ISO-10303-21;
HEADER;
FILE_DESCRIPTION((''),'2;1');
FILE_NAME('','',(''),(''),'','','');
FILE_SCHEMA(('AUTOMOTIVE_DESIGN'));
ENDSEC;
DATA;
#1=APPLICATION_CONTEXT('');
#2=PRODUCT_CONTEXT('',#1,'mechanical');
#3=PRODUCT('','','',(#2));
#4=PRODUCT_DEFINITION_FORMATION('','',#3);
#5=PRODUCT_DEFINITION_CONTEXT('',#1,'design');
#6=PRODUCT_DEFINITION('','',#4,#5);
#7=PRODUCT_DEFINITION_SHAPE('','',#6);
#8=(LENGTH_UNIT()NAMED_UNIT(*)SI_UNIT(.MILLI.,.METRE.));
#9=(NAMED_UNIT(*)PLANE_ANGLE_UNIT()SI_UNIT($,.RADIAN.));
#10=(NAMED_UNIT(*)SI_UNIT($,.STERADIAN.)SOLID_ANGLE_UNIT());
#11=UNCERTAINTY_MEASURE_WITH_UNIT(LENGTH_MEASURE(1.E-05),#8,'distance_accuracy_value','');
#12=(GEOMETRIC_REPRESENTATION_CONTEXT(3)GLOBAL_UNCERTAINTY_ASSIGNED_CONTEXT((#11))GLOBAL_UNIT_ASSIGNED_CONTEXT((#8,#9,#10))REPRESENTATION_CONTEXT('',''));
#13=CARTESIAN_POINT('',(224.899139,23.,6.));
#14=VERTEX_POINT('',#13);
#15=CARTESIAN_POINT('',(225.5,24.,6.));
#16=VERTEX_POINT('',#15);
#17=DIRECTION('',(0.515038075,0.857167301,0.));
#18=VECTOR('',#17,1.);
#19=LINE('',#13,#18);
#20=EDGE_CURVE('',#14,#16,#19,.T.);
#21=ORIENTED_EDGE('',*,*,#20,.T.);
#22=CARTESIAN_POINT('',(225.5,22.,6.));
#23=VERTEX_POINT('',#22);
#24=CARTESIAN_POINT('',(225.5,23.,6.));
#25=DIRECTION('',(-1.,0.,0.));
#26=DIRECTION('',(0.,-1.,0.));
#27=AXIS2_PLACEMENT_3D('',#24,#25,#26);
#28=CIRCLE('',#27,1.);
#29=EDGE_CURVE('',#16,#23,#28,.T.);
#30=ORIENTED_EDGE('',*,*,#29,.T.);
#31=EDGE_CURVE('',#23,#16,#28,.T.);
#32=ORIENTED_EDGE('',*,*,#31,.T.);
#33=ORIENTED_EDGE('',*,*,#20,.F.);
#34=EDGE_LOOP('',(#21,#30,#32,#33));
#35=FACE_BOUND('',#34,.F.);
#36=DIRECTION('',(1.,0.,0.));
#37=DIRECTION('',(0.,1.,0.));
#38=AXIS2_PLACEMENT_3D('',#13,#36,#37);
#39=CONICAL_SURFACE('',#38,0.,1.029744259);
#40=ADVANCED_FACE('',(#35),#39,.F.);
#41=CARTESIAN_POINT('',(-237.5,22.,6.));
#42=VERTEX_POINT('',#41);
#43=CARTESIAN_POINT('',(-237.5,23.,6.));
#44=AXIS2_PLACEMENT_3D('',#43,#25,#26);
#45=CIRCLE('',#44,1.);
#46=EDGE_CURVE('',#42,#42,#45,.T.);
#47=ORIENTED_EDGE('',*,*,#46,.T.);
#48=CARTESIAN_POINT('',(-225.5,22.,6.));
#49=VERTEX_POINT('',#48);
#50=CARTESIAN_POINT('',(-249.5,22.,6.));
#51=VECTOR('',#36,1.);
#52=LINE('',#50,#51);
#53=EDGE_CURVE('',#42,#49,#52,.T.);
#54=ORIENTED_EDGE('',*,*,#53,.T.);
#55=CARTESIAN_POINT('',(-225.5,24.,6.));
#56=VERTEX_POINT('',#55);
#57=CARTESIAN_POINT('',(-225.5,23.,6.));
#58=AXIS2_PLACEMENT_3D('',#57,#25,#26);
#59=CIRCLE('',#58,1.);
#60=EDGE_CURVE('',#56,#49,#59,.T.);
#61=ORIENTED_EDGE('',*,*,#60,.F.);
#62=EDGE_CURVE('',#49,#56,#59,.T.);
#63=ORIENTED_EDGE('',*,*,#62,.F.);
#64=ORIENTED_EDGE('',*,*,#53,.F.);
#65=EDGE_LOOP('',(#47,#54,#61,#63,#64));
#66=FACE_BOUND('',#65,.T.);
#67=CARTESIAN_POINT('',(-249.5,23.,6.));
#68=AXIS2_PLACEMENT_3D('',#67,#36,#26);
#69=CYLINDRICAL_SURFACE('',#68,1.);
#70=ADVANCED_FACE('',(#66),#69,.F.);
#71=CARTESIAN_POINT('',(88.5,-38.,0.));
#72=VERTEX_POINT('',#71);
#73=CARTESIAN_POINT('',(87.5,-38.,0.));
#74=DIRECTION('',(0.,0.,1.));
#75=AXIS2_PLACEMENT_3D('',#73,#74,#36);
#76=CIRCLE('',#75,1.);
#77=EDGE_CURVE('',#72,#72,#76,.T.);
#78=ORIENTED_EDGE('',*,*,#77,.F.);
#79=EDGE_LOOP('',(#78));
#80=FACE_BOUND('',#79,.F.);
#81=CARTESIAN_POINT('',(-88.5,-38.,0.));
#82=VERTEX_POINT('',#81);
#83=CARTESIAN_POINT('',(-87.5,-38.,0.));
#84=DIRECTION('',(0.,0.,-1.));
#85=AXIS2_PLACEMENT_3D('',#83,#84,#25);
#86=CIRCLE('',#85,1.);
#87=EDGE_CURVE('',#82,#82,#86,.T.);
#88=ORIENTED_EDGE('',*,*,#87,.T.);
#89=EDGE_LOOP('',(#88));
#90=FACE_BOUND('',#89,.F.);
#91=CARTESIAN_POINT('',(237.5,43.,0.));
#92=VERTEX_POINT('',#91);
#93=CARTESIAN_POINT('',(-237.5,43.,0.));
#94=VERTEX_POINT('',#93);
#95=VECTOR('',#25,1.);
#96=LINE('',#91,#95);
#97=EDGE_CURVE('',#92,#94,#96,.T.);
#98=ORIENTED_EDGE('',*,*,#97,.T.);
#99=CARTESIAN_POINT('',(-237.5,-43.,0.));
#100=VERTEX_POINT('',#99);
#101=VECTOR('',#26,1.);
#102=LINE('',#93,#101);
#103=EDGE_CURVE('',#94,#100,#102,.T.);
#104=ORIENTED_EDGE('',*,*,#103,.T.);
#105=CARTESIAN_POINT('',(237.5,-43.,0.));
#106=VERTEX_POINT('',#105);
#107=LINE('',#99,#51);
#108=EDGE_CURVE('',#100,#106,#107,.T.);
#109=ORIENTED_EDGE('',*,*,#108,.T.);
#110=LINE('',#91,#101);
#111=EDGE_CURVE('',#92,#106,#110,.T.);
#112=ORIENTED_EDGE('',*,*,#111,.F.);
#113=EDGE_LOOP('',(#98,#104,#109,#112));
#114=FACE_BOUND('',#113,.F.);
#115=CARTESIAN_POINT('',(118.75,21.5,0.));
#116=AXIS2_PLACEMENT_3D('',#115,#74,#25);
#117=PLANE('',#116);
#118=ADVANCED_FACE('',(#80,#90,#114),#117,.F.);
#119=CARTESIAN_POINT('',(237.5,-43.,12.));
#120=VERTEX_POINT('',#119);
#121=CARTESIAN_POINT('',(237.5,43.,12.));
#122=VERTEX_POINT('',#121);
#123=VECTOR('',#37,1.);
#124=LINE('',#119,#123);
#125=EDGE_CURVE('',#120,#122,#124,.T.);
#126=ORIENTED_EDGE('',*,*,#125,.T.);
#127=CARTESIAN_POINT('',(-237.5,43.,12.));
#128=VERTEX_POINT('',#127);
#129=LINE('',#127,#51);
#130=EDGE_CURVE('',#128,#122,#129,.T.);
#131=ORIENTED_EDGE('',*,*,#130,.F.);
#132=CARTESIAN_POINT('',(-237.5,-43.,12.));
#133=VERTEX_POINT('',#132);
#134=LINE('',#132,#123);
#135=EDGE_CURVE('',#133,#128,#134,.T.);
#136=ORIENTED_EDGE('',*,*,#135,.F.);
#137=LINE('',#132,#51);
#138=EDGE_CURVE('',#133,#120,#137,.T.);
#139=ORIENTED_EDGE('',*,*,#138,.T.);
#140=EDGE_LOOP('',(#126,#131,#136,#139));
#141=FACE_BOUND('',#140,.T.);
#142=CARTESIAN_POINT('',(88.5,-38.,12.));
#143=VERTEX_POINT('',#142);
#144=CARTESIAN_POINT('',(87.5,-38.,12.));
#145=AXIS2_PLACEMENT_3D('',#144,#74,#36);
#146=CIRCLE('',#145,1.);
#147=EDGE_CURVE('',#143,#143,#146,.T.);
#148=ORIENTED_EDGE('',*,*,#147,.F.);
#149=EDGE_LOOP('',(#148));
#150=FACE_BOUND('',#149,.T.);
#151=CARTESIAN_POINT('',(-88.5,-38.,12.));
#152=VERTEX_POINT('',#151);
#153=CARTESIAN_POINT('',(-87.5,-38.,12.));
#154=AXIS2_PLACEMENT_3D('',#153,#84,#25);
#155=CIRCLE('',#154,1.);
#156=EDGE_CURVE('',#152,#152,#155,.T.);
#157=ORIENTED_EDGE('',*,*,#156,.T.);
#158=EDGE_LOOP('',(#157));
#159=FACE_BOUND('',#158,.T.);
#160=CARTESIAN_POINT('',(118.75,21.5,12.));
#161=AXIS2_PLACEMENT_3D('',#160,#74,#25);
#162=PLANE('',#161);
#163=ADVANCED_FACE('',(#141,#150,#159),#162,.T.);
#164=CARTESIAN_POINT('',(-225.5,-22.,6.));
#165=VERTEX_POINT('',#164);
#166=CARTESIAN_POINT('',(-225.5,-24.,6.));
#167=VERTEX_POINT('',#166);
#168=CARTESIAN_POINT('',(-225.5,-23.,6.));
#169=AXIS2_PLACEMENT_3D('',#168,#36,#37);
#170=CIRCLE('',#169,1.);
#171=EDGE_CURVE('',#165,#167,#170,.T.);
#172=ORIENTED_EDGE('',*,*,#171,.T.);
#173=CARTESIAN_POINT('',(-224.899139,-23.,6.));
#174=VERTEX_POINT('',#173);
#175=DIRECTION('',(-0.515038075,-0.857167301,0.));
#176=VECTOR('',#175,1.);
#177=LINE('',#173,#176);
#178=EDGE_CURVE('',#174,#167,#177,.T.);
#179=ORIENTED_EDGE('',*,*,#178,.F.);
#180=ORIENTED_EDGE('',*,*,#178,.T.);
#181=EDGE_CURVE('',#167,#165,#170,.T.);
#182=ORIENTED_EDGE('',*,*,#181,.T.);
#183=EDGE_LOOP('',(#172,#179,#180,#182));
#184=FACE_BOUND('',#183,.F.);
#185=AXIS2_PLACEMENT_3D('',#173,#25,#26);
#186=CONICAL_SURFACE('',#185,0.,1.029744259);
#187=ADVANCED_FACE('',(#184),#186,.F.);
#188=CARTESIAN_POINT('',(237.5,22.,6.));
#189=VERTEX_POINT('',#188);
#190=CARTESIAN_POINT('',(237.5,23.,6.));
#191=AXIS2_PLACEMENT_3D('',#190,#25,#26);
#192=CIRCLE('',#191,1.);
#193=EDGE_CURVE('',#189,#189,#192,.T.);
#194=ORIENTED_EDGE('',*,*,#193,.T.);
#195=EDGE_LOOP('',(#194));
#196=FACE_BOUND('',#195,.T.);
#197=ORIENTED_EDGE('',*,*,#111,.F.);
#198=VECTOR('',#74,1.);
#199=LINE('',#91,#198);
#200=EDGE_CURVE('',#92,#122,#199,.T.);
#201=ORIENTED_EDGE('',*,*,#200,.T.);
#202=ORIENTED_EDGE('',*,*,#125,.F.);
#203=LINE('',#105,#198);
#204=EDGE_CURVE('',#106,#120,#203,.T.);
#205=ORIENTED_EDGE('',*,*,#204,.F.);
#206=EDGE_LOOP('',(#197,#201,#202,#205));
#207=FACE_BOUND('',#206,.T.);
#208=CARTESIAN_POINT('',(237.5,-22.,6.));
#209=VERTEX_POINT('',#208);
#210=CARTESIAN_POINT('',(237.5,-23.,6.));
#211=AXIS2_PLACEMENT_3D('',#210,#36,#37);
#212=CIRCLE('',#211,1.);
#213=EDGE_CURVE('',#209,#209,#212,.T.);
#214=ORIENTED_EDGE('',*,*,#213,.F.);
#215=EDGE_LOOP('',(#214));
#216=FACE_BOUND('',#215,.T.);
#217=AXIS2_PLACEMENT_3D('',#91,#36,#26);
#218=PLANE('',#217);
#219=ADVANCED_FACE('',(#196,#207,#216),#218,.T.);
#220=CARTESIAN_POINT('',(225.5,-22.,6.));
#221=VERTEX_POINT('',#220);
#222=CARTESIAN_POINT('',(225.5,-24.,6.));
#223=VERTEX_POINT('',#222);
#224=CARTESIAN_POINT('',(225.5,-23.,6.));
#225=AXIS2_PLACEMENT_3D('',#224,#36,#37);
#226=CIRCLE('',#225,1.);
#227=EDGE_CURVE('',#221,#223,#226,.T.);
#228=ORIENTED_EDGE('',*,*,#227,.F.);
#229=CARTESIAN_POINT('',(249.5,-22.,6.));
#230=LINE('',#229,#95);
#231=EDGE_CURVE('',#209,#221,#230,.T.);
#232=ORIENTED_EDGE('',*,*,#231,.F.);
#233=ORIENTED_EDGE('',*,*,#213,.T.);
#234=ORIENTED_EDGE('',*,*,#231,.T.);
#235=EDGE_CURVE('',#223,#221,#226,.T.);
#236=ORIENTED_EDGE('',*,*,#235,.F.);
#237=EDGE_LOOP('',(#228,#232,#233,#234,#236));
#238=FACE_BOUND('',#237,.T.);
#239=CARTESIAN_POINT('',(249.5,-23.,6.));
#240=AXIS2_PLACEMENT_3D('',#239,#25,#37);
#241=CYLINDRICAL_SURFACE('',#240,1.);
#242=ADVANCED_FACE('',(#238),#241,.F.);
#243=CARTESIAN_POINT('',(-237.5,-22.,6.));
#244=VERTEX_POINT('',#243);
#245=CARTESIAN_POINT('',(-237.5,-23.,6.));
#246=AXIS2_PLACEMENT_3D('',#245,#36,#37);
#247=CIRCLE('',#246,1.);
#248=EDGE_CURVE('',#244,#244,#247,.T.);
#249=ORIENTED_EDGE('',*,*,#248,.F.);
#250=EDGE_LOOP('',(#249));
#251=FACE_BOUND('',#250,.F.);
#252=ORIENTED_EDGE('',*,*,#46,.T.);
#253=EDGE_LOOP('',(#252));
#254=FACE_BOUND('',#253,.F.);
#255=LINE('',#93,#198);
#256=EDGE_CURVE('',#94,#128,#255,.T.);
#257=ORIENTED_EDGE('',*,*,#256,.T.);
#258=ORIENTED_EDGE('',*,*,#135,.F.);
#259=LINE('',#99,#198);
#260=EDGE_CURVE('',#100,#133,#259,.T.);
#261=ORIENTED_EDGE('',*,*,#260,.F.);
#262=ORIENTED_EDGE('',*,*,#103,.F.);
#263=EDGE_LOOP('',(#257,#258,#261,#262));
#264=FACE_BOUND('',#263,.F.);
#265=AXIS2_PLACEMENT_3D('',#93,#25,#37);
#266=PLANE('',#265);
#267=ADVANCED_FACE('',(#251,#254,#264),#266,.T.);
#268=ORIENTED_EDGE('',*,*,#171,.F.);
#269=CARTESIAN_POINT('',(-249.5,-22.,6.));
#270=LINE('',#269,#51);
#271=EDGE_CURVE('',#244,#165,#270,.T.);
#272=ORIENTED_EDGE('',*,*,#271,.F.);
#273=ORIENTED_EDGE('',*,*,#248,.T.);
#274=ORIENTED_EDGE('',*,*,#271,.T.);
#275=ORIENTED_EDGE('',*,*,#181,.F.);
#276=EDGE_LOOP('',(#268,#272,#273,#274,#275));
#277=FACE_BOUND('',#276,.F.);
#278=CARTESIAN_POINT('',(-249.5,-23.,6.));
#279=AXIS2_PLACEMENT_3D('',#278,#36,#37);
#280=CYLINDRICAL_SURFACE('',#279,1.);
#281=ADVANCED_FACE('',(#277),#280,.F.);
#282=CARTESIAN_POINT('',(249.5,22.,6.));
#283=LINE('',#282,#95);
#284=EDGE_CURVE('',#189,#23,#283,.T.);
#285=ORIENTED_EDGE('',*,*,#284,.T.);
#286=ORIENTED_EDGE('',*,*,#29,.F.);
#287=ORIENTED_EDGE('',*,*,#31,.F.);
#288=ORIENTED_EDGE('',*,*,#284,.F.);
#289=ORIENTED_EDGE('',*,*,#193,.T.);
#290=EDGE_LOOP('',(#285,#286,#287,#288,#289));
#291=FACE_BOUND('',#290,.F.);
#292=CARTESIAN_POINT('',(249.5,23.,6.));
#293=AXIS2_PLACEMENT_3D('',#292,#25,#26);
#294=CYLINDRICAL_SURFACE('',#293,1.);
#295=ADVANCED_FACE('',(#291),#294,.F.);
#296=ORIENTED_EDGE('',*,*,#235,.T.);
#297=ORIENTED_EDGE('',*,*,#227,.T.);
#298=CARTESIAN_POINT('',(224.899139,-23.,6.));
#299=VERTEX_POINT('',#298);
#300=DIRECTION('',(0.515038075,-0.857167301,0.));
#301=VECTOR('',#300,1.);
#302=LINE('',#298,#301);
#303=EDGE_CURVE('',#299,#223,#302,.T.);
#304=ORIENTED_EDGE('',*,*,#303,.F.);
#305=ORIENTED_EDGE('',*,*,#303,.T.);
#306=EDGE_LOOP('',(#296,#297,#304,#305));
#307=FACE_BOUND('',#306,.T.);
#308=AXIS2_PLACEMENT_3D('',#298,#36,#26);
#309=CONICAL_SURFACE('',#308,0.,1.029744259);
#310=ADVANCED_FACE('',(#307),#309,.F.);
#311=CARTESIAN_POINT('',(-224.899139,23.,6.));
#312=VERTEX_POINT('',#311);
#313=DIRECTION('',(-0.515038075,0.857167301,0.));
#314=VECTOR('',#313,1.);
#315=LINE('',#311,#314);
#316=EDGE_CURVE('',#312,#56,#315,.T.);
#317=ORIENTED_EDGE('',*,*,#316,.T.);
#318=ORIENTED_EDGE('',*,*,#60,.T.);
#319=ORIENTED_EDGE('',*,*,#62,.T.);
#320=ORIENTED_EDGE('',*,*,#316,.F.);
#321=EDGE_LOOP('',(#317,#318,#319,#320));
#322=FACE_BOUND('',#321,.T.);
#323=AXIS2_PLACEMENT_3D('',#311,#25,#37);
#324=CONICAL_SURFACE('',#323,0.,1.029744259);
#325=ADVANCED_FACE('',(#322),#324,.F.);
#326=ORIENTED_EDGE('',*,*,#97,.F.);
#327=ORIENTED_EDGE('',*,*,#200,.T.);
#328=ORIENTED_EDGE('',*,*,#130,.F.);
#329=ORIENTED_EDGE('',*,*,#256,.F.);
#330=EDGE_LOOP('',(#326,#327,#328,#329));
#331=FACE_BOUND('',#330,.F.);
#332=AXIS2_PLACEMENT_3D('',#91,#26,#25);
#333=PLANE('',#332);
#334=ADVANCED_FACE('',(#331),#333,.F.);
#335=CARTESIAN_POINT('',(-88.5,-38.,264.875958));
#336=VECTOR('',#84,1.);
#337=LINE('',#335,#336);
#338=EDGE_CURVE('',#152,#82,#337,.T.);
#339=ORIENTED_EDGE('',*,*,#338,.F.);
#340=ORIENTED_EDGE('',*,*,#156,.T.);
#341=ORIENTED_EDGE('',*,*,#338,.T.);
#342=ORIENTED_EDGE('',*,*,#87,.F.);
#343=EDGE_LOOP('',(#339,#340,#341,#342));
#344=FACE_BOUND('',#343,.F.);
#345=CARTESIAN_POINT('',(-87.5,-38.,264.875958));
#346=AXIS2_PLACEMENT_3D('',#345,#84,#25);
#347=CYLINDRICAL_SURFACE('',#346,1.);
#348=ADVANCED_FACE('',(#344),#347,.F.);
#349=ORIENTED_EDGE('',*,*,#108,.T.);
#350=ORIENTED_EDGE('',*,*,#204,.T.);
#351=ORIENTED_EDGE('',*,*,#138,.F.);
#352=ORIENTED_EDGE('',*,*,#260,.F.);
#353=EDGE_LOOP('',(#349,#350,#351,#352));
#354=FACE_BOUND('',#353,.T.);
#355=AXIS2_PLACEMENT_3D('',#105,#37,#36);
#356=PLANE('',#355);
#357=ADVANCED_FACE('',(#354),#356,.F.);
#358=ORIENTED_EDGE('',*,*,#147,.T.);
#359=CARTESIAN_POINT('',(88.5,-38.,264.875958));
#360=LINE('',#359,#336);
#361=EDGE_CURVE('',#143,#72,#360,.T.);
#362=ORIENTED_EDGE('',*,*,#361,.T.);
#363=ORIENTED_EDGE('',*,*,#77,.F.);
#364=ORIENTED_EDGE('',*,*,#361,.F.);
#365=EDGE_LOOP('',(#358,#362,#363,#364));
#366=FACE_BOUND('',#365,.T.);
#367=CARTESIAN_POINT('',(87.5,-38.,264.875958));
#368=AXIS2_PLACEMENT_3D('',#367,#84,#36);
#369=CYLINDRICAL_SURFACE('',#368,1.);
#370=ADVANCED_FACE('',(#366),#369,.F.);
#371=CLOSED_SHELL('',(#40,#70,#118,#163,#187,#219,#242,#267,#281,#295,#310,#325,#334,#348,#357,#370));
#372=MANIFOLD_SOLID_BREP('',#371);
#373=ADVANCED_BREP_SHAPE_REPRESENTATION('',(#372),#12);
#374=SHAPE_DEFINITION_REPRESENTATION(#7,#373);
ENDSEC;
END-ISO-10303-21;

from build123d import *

# Parameters (mm, degrees)
F0_W     = 237.5
F0_H     = 43
F1_DEPTH = 12
F3_D     = 2
F3_DEPTH = 12
F3_TIP   = 0.600860619
F6_D     = 2


with BuildPart() as f1:
    # F0 (on Top) → F1 (new body)
    with BuildSketch(Plane.XY):
        with Locations((-118.75, -21.5)):
            Rectangle(F0_W, F0_H)
    extrude(amount=F1_DEPTH)

    # F3
    with Locations(Plane(origin=(-237.5, 0, 0), x_dir=(0, -1, 0), z_dir=(-1, 0, 0))):
        with Locations((23, 6)):
            Hole(F3_D / 2, depth=F3_DEPTH)
            with Locations((0, 0, -(F3_DEPTH + F3_TIP / 2))):  # 118° drill point
                Cone(0, F3_D / 2, F3_TIP, mode=Mode.SUBTRACT)

    # F4: F1 across plane


with BuildPart() as f1_1:
    add(f1.part)
    add(f1.part.mirror(Plane.XZ))

    # F6 (through all)
    with Locations(Plane.XY.offset(12)):
        with Locations((-87.5, -38)):
            Hole(F6_D / 2)

    # F7: F1 across plane


with BuildPart() as f1_2:
    add(f1_1.part)
    add(f1_1.part.mirror(Plane.YZ))


solid = f1_2.part
